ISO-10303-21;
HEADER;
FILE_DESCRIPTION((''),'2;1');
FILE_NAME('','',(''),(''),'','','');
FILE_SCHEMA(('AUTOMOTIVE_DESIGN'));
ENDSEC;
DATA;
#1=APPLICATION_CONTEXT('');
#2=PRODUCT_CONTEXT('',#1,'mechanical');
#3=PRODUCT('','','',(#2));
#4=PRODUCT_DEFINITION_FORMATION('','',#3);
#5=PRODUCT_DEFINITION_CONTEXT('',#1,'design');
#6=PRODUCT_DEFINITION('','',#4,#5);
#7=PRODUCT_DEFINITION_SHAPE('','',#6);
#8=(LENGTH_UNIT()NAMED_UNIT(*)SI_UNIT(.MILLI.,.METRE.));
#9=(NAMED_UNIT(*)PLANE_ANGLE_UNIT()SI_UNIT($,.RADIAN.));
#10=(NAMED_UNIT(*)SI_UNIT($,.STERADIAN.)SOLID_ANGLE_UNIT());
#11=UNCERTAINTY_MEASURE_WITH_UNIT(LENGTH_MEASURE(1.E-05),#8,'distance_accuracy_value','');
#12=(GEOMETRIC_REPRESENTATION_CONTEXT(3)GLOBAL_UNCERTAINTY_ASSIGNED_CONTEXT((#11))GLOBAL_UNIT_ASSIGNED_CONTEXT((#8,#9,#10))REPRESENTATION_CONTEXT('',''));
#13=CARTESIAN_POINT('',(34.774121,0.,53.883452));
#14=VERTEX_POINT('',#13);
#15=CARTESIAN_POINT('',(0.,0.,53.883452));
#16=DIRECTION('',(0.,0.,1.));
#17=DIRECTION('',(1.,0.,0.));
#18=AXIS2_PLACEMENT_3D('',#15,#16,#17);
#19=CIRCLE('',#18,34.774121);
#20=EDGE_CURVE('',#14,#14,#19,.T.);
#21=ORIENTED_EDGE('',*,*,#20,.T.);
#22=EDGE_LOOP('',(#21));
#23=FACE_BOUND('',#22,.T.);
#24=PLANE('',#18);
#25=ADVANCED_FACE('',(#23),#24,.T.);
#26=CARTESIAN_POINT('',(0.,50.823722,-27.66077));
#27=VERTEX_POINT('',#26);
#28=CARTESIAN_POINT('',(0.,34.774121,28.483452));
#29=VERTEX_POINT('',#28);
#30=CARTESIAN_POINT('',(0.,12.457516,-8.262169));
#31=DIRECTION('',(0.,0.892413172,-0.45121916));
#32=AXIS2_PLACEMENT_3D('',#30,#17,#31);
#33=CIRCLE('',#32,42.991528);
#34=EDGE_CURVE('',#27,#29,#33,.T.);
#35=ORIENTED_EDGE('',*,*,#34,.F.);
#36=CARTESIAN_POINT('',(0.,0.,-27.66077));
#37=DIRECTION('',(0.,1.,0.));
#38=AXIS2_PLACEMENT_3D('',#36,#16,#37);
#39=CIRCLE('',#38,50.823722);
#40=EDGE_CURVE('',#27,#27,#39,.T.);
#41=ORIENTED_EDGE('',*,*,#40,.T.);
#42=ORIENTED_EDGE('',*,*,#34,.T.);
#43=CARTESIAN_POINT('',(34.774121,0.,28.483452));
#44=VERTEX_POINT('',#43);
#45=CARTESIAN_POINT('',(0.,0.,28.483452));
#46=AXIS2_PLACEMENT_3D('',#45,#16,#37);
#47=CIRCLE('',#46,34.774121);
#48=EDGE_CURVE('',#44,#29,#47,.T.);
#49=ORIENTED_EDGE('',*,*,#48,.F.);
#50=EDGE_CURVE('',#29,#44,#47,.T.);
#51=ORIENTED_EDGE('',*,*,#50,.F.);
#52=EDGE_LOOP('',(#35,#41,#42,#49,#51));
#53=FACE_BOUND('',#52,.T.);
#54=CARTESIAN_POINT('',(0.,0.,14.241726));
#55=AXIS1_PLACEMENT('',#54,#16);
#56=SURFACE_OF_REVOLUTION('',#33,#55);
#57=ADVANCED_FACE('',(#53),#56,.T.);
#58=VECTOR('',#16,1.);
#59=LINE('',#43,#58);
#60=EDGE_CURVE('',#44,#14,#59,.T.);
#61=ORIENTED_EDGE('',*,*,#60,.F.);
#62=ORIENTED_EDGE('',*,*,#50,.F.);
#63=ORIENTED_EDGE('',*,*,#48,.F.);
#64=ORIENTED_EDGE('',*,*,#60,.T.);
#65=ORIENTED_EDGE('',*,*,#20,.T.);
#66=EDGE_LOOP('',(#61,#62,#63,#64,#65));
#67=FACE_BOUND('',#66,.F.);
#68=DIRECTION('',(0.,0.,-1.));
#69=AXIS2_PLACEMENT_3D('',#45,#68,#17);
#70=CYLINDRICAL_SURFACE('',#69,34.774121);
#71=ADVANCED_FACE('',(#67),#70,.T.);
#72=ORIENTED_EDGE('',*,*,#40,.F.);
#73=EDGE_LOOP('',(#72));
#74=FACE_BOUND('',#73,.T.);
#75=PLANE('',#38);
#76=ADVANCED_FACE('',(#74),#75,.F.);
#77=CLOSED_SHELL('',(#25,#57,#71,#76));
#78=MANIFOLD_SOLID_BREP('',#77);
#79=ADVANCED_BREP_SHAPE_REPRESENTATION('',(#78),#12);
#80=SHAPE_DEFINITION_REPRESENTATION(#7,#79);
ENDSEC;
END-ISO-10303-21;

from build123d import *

# Parameters (mm, degrees)
F1_FACE_R = 34.774121
F2_DEPTH  = 25.4


with BuildPart() as f1:
    # F0 (on Right) → F1 (revolve)
    with BuildSketch(Plane.YZ):
        with BuildLine():
            Line((0, 28.483452), (0, 0))
            Line((0, 0), (0, -27.66077))
            Line((0, -27.66077), (50.823722, -27.66077))
            ThreePointArc((50.823722, -27.66077), (53.793267, 3.554226), (34.774121, 28.483452))
            Line((34.774121, 28.483452), (0, 28.483452))
        make_face()
    revolve(axis=Axis((0, 0, 14.241726), (0, 0, 1)))

    # F1_face (on face) → F2 (join)
    with BuildSketch(Plane.XY.offset(28.483452)):
        Circle(F1_FACE_R)
    extrude(amount=F2_DEPTH)


solid = f1.part
